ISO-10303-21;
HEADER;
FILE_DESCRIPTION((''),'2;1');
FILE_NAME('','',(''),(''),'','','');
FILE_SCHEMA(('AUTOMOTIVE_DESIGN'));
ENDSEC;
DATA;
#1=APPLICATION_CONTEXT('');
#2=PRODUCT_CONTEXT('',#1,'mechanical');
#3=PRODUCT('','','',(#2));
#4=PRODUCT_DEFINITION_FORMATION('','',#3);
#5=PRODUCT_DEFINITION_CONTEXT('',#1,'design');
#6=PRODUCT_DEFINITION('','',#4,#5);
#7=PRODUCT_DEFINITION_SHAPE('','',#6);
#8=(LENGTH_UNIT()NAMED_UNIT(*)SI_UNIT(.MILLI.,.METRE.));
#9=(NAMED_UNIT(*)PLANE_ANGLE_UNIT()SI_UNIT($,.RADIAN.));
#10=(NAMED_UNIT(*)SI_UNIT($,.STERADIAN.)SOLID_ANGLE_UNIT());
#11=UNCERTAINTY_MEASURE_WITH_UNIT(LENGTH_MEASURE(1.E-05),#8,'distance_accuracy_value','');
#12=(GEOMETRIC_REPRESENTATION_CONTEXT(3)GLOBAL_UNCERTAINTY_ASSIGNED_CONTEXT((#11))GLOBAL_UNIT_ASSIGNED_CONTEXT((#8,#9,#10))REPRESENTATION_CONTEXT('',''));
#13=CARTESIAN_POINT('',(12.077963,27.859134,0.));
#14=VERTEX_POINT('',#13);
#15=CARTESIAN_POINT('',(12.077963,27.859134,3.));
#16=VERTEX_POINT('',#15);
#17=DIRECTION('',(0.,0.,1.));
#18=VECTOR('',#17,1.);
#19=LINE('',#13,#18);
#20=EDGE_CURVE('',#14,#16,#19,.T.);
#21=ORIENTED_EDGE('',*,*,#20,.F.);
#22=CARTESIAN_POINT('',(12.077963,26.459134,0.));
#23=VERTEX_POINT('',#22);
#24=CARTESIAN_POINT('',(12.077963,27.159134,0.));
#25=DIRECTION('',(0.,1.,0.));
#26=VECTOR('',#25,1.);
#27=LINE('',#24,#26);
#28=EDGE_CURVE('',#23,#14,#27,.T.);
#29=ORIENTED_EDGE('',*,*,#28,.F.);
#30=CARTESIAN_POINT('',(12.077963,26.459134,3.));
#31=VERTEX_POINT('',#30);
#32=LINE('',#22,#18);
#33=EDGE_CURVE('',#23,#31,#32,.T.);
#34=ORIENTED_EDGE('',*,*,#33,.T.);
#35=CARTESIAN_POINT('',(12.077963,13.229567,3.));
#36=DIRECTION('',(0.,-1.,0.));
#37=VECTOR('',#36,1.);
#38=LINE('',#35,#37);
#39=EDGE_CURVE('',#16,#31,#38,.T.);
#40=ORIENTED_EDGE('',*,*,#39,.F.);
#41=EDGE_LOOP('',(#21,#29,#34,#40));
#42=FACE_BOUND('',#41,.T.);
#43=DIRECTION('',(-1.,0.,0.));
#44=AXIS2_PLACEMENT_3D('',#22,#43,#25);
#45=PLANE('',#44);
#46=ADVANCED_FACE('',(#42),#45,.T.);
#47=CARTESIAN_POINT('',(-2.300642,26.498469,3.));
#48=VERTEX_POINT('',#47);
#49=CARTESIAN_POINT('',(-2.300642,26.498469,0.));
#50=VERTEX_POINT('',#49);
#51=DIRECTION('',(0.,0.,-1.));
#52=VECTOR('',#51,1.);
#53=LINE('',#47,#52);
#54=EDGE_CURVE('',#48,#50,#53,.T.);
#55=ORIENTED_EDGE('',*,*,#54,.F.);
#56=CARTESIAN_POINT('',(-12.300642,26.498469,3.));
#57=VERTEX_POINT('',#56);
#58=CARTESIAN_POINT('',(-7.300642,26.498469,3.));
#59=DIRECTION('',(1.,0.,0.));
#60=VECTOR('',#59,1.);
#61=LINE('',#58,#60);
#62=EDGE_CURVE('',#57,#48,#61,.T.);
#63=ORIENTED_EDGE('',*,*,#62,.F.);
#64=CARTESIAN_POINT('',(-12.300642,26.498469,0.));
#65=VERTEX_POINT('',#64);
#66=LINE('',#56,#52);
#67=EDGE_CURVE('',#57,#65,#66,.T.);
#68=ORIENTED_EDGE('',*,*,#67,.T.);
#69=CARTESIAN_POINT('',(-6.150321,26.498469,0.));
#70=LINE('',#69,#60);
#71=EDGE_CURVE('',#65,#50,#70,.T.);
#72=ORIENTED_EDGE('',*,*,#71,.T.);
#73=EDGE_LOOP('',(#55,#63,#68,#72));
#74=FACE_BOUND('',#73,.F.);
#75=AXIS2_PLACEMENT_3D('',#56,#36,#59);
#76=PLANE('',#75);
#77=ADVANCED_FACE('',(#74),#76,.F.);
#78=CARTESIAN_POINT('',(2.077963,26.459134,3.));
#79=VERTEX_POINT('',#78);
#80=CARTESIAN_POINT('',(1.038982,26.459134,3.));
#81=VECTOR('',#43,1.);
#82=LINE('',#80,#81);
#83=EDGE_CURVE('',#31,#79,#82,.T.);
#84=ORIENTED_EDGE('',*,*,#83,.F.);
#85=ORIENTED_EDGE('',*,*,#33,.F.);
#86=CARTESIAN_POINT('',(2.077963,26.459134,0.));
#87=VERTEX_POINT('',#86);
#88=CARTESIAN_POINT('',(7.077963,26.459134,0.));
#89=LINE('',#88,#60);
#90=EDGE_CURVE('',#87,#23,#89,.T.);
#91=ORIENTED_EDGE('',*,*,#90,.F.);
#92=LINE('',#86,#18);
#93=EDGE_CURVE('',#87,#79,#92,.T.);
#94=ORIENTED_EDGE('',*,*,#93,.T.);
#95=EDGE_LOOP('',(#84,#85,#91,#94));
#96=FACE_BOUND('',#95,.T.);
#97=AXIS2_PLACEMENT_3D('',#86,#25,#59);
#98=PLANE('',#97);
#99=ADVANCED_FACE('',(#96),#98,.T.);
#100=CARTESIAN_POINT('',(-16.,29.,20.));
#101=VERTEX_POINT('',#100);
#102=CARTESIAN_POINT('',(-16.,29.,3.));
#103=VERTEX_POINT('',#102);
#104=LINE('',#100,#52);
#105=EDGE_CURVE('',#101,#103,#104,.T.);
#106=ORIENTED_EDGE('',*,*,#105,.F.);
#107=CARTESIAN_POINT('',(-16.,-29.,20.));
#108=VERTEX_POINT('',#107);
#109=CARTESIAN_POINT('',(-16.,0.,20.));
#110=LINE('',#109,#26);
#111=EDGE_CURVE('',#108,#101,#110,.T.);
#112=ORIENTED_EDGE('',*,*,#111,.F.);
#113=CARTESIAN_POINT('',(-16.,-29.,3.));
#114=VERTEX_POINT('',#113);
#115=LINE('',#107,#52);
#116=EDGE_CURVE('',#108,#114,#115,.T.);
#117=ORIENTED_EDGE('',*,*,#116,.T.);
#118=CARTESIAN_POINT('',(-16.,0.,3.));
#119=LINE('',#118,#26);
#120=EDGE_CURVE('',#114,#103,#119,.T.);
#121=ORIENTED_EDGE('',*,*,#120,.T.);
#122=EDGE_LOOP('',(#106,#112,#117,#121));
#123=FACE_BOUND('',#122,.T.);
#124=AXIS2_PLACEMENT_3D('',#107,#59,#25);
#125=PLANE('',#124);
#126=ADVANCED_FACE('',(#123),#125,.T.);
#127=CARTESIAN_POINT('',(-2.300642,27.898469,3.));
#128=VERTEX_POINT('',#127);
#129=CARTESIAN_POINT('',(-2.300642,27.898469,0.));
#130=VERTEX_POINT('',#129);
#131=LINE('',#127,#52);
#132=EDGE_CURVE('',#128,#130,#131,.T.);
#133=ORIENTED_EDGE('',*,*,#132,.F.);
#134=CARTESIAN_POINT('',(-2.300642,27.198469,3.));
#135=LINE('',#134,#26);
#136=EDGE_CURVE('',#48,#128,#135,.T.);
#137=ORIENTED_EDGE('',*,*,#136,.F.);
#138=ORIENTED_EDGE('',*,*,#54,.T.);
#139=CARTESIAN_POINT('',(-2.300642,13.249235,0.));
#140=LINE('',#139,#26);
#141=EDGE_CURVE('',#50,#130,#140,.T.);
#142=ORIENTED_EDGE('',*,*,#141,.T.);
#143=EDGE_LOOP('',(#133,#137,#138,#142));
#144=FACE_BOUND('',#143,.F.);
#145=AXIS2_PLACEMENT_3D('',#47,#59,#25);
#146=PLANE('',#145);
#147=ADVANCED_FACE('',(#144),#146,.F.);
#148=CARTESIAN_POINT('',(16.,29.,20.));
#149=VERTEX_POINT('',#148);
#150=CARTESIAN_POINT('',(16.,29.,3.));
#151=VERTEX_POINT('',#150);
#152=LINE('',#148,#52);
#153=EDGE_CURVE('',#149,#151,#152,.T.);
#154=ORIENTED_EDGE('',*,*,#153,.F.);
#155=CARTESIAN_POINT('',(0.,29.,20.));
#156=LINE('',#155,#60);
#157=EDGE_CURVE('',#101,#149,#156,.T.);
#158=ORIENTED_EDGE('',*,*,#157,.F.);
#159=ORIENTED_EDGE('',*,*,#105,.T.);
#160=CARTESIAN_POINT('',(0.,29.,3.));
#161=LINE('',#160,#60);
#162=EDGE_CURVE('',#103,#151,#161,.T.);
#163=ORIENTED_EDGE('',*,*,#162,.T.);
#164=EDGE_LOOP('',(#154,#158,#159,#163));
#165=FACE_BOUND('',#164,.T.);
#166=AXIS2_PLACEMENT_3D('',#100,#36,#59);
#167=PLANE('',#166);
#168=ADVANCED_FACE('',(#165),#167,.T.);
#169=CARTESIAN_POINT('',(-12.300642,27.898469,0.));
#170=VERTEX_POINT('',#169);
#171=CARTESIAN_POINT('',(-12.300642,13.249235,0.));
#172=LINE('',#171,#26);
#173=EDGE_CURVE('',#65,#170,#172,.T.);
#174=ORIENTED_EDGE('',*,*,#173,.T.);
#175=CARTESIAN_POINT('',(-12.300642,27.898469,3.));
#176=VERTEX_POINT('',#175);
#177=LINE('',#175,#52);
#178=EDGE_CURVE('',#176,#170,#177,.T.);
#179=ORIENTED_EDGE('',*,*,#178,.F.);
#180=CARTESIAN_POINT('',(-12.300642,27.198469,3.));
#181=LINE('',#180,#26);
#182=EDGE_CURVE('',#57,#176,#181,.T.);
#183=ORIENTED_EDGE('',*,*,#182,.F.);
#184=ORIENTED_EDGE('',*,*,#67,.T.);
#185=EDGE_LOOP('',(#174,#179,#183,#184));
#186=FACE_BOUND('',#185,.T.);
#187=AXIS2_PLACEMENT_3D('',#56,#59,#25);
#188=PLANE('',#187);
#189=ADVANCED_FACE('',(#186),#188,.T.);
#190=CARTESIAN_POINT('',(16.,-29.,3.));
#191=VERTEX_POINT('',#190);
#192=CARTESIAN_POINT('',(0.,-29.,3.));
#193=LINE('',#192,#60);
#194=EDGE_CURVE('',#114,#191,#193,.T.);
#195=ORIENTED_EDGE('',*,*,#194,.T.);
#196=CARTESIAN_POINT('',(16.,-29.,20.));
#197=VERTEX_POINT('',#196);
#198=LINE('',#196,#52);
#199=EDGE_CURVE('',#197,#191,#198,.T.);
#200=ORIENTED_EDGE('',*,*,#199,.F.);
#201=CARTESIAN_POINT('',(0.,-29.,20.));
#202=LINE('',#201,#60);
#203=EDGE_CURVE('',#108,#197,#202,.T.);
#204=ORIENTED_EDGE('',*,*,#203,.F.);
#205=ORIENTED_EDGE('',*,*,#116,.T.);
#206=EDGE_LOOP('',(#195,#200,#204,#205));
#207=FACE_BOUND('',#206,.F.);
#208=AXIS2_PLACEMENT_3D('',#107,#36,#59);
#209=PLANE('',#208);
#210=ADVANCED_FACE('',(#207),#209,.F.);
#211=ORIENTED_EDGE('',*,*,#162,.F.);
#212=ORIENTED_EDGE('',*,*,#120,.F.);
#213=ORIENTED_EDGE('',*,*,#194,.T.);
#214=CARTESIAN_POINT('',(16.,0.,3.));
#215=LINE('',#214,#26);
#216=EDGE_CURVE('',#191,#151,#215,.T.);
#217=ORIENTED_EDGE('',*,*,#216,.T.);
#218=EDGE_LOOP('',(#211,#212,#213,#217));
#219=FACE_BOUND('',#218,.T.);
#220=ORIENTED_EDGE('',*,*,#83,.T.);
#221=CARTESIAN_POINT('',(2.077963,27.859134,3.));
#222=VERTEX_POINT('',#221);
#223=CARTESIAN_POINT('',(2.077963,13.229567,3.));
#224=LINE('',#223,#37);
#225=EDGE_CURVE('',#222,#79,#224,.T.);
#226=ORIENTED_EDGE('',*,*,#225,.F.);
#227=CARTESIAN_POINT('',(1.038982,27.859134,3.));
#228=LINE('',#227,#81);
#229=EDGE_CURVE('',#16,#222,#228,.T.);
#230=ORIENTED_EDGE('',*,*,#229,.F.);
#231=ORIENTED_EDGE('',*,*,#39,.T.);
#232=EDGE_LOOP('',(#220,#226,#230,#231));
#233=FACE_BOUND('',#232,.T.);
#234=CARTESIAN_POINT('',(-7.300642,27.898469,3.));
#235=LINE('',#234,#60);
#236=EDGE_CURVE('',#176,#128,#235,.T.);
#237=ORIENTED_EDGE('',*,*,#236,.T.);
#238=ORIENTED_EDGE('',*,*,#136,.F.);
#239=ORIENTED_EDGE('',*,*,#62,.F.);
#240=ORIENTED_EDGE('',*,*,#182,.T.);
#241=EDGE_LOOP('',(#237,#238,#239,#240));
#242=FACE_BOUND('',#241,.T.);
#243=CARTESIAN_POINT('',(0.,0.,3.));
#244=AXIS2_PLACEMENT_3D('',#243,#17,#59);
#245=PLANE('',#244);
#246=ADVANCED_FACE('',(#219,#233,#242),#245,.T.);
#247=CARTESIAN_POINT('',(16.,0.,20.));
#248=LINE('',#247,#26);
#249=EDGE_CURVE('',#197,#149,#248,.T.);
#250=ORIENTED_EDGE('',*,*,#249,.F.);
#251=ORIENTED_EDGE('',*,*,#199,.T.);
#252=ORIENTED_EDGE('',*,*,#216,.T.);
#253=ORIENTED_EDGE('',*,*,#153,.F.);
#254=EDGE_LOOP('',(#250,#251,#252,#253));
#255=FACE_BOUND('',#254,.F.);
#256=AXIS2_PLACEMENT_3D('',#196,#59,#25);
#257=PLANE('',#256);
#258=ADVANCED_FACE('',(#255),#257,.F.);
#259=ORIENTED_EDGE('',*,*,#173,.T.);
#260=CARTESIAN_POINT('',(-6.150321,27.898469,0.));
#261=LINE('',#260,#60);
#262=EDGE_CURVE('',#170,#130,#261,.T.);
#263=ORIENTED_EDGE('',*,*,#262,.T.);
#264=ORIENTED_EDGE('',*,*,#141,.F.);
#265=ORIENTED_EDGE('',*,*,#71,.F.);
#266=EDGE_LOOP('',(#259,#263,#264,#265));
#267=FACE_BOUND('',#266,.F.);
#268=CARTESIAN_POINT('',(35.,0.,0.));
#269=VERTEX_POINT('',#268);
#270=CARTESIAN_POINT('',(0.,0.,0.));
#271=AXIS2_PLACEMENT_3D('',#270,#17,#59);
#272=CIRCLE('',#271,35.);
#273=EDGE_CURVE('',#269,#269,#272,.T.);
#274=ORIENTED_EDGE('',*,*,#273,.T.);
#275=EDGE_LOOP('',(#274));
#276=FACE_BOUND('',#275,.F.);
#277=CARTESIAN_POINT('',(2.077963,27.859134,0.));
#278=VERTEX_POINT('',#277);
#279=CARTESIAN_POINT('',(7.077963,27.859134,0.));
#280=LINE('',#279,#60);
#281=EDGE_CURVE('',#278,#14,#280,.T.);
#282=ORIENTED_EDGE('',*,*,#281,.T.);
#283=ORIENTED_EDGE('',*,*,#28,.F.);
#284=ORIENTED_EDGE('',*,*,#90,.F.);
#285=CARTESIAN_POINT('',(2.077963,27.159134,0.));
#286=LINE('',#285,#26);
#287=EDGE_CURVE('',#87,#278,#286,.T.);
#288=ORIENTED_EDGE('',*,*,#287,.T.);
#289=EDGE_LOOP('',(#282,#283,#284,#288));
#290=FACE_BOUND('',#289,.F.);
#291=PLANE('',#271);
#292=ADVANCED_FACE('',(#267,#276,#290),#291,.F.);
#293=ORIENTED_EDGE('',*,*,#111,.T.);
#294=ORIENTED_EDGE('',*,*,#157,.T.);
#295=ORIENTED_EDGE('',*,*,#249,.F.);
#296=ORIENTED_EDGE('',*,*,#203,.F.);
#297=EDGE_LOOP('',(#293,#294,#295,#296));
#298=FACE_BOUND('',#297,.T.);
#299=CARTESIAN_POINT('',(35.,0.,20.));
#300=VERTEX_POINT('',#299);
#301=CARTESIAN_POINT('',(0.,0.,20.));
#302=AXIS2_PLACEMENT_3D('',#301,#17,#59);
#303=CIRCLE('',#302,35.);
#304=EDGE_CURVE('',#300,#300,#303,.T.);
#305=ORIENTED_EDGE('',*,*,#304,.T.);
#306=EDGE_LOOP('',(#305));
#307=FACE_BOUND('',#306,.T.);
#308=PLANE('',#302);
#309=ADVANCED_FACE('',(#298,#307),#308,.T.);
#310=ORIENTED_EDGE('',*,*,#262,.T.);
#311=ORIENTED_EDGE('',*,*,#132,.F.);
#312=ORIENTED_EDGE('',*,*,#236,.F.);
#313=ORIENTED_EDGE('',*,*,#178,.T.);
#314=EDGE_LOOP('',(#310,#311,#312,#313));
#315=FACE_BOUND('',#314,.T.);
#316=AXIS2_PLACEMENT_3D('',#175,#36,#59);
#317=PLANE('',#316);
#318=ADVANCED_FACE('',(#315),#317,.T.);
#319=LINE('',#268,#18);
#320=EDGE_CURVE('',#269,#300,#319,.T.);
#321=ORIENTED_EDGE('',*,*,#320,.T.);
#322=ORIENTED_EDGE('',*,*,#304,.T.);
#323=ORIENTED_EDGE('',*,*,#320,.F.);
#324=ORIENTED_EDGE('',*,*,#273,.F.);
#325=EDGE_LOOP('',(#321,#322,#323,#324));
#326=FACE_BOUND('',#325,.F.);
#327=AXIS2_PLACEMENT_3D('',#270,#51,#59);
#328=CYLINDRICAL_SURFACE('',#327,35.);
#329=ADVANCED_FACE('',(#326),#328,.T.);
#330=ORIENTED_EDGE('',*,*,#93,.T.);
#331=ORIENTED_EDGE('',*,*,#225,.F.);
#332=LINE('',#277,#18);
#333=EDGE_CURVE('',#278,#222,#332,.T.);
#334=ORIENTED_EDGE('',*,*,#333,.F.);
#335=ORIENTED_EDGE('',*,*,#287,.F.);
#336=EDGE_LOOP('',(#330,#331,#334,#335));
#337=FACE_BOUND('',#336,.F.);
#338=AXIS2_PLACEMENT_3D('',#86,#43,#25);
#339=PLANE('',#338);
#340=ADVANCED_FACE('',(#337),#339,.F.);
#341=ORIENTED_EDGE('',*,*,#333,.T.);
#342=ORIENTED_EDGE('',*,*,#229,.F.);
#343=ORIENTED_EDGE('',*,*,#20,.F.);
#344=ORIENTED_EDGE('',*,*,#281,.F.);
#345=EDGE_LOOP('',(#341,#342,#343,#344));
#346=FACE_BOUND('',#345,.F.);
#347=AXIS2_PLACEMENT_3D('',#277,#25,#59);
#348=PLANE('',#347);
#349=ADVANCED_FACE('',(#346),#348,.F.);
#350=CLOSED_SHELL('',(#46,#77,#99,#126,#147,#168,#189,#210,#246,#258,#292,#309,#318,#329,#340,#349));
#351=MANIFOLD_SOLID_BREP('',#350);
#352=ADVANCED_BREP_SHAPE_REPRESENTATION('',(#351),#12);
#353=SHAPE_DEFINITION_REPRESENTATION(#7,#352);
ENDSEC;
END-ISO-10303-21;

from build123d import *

# Parameters (mm, degrees)
F0_R     = 35
F1_DEPTH = 20
F2_W     = 32
F2_H     = 58
F3_DEPTH = 17
F4_W     = 10
F4_H     = 1.4
F5_DEPTH = 5
F6_W     = 10
F6_H     = 1.4
F7_DEPTH = 5


with BuildPart() as f1:
    # F0 (on Top) → F1 (new body)
    with BuildSketch(Plane.XY):
        Circle(F0_R)
    extrude(amount=F1_DEPTH)

    # F2 (on face) → F3 (cut)
    with BuildSketch(Plane.XY.offset(20)):
        Rectangle(F2_W, F2_H)
    extrude(amount=-F3_DEPTH, mode=Mode.SUBTRACT)

    # F4 (on face) → F5 (cut)
    with BuildSketch(Plane.XY.offset(3)):
        with Locations((-7.300642, 27.198469)):
            Rectangle(F4_W, F4_H)
    extrude(amount=-F5_DEPTH, mode=Mode.SUBTRACT)

    # F6 (on Top) → F7 (cut)
    with BuildSketch(Plane.XY):
        with Locations((7.077963, 27.159134)):
            Rectangle(F6_W, F6_H)
    extrude(amount=F7_DEPTH, mode=Mode.SUBTRACT)


solid = f1.part
